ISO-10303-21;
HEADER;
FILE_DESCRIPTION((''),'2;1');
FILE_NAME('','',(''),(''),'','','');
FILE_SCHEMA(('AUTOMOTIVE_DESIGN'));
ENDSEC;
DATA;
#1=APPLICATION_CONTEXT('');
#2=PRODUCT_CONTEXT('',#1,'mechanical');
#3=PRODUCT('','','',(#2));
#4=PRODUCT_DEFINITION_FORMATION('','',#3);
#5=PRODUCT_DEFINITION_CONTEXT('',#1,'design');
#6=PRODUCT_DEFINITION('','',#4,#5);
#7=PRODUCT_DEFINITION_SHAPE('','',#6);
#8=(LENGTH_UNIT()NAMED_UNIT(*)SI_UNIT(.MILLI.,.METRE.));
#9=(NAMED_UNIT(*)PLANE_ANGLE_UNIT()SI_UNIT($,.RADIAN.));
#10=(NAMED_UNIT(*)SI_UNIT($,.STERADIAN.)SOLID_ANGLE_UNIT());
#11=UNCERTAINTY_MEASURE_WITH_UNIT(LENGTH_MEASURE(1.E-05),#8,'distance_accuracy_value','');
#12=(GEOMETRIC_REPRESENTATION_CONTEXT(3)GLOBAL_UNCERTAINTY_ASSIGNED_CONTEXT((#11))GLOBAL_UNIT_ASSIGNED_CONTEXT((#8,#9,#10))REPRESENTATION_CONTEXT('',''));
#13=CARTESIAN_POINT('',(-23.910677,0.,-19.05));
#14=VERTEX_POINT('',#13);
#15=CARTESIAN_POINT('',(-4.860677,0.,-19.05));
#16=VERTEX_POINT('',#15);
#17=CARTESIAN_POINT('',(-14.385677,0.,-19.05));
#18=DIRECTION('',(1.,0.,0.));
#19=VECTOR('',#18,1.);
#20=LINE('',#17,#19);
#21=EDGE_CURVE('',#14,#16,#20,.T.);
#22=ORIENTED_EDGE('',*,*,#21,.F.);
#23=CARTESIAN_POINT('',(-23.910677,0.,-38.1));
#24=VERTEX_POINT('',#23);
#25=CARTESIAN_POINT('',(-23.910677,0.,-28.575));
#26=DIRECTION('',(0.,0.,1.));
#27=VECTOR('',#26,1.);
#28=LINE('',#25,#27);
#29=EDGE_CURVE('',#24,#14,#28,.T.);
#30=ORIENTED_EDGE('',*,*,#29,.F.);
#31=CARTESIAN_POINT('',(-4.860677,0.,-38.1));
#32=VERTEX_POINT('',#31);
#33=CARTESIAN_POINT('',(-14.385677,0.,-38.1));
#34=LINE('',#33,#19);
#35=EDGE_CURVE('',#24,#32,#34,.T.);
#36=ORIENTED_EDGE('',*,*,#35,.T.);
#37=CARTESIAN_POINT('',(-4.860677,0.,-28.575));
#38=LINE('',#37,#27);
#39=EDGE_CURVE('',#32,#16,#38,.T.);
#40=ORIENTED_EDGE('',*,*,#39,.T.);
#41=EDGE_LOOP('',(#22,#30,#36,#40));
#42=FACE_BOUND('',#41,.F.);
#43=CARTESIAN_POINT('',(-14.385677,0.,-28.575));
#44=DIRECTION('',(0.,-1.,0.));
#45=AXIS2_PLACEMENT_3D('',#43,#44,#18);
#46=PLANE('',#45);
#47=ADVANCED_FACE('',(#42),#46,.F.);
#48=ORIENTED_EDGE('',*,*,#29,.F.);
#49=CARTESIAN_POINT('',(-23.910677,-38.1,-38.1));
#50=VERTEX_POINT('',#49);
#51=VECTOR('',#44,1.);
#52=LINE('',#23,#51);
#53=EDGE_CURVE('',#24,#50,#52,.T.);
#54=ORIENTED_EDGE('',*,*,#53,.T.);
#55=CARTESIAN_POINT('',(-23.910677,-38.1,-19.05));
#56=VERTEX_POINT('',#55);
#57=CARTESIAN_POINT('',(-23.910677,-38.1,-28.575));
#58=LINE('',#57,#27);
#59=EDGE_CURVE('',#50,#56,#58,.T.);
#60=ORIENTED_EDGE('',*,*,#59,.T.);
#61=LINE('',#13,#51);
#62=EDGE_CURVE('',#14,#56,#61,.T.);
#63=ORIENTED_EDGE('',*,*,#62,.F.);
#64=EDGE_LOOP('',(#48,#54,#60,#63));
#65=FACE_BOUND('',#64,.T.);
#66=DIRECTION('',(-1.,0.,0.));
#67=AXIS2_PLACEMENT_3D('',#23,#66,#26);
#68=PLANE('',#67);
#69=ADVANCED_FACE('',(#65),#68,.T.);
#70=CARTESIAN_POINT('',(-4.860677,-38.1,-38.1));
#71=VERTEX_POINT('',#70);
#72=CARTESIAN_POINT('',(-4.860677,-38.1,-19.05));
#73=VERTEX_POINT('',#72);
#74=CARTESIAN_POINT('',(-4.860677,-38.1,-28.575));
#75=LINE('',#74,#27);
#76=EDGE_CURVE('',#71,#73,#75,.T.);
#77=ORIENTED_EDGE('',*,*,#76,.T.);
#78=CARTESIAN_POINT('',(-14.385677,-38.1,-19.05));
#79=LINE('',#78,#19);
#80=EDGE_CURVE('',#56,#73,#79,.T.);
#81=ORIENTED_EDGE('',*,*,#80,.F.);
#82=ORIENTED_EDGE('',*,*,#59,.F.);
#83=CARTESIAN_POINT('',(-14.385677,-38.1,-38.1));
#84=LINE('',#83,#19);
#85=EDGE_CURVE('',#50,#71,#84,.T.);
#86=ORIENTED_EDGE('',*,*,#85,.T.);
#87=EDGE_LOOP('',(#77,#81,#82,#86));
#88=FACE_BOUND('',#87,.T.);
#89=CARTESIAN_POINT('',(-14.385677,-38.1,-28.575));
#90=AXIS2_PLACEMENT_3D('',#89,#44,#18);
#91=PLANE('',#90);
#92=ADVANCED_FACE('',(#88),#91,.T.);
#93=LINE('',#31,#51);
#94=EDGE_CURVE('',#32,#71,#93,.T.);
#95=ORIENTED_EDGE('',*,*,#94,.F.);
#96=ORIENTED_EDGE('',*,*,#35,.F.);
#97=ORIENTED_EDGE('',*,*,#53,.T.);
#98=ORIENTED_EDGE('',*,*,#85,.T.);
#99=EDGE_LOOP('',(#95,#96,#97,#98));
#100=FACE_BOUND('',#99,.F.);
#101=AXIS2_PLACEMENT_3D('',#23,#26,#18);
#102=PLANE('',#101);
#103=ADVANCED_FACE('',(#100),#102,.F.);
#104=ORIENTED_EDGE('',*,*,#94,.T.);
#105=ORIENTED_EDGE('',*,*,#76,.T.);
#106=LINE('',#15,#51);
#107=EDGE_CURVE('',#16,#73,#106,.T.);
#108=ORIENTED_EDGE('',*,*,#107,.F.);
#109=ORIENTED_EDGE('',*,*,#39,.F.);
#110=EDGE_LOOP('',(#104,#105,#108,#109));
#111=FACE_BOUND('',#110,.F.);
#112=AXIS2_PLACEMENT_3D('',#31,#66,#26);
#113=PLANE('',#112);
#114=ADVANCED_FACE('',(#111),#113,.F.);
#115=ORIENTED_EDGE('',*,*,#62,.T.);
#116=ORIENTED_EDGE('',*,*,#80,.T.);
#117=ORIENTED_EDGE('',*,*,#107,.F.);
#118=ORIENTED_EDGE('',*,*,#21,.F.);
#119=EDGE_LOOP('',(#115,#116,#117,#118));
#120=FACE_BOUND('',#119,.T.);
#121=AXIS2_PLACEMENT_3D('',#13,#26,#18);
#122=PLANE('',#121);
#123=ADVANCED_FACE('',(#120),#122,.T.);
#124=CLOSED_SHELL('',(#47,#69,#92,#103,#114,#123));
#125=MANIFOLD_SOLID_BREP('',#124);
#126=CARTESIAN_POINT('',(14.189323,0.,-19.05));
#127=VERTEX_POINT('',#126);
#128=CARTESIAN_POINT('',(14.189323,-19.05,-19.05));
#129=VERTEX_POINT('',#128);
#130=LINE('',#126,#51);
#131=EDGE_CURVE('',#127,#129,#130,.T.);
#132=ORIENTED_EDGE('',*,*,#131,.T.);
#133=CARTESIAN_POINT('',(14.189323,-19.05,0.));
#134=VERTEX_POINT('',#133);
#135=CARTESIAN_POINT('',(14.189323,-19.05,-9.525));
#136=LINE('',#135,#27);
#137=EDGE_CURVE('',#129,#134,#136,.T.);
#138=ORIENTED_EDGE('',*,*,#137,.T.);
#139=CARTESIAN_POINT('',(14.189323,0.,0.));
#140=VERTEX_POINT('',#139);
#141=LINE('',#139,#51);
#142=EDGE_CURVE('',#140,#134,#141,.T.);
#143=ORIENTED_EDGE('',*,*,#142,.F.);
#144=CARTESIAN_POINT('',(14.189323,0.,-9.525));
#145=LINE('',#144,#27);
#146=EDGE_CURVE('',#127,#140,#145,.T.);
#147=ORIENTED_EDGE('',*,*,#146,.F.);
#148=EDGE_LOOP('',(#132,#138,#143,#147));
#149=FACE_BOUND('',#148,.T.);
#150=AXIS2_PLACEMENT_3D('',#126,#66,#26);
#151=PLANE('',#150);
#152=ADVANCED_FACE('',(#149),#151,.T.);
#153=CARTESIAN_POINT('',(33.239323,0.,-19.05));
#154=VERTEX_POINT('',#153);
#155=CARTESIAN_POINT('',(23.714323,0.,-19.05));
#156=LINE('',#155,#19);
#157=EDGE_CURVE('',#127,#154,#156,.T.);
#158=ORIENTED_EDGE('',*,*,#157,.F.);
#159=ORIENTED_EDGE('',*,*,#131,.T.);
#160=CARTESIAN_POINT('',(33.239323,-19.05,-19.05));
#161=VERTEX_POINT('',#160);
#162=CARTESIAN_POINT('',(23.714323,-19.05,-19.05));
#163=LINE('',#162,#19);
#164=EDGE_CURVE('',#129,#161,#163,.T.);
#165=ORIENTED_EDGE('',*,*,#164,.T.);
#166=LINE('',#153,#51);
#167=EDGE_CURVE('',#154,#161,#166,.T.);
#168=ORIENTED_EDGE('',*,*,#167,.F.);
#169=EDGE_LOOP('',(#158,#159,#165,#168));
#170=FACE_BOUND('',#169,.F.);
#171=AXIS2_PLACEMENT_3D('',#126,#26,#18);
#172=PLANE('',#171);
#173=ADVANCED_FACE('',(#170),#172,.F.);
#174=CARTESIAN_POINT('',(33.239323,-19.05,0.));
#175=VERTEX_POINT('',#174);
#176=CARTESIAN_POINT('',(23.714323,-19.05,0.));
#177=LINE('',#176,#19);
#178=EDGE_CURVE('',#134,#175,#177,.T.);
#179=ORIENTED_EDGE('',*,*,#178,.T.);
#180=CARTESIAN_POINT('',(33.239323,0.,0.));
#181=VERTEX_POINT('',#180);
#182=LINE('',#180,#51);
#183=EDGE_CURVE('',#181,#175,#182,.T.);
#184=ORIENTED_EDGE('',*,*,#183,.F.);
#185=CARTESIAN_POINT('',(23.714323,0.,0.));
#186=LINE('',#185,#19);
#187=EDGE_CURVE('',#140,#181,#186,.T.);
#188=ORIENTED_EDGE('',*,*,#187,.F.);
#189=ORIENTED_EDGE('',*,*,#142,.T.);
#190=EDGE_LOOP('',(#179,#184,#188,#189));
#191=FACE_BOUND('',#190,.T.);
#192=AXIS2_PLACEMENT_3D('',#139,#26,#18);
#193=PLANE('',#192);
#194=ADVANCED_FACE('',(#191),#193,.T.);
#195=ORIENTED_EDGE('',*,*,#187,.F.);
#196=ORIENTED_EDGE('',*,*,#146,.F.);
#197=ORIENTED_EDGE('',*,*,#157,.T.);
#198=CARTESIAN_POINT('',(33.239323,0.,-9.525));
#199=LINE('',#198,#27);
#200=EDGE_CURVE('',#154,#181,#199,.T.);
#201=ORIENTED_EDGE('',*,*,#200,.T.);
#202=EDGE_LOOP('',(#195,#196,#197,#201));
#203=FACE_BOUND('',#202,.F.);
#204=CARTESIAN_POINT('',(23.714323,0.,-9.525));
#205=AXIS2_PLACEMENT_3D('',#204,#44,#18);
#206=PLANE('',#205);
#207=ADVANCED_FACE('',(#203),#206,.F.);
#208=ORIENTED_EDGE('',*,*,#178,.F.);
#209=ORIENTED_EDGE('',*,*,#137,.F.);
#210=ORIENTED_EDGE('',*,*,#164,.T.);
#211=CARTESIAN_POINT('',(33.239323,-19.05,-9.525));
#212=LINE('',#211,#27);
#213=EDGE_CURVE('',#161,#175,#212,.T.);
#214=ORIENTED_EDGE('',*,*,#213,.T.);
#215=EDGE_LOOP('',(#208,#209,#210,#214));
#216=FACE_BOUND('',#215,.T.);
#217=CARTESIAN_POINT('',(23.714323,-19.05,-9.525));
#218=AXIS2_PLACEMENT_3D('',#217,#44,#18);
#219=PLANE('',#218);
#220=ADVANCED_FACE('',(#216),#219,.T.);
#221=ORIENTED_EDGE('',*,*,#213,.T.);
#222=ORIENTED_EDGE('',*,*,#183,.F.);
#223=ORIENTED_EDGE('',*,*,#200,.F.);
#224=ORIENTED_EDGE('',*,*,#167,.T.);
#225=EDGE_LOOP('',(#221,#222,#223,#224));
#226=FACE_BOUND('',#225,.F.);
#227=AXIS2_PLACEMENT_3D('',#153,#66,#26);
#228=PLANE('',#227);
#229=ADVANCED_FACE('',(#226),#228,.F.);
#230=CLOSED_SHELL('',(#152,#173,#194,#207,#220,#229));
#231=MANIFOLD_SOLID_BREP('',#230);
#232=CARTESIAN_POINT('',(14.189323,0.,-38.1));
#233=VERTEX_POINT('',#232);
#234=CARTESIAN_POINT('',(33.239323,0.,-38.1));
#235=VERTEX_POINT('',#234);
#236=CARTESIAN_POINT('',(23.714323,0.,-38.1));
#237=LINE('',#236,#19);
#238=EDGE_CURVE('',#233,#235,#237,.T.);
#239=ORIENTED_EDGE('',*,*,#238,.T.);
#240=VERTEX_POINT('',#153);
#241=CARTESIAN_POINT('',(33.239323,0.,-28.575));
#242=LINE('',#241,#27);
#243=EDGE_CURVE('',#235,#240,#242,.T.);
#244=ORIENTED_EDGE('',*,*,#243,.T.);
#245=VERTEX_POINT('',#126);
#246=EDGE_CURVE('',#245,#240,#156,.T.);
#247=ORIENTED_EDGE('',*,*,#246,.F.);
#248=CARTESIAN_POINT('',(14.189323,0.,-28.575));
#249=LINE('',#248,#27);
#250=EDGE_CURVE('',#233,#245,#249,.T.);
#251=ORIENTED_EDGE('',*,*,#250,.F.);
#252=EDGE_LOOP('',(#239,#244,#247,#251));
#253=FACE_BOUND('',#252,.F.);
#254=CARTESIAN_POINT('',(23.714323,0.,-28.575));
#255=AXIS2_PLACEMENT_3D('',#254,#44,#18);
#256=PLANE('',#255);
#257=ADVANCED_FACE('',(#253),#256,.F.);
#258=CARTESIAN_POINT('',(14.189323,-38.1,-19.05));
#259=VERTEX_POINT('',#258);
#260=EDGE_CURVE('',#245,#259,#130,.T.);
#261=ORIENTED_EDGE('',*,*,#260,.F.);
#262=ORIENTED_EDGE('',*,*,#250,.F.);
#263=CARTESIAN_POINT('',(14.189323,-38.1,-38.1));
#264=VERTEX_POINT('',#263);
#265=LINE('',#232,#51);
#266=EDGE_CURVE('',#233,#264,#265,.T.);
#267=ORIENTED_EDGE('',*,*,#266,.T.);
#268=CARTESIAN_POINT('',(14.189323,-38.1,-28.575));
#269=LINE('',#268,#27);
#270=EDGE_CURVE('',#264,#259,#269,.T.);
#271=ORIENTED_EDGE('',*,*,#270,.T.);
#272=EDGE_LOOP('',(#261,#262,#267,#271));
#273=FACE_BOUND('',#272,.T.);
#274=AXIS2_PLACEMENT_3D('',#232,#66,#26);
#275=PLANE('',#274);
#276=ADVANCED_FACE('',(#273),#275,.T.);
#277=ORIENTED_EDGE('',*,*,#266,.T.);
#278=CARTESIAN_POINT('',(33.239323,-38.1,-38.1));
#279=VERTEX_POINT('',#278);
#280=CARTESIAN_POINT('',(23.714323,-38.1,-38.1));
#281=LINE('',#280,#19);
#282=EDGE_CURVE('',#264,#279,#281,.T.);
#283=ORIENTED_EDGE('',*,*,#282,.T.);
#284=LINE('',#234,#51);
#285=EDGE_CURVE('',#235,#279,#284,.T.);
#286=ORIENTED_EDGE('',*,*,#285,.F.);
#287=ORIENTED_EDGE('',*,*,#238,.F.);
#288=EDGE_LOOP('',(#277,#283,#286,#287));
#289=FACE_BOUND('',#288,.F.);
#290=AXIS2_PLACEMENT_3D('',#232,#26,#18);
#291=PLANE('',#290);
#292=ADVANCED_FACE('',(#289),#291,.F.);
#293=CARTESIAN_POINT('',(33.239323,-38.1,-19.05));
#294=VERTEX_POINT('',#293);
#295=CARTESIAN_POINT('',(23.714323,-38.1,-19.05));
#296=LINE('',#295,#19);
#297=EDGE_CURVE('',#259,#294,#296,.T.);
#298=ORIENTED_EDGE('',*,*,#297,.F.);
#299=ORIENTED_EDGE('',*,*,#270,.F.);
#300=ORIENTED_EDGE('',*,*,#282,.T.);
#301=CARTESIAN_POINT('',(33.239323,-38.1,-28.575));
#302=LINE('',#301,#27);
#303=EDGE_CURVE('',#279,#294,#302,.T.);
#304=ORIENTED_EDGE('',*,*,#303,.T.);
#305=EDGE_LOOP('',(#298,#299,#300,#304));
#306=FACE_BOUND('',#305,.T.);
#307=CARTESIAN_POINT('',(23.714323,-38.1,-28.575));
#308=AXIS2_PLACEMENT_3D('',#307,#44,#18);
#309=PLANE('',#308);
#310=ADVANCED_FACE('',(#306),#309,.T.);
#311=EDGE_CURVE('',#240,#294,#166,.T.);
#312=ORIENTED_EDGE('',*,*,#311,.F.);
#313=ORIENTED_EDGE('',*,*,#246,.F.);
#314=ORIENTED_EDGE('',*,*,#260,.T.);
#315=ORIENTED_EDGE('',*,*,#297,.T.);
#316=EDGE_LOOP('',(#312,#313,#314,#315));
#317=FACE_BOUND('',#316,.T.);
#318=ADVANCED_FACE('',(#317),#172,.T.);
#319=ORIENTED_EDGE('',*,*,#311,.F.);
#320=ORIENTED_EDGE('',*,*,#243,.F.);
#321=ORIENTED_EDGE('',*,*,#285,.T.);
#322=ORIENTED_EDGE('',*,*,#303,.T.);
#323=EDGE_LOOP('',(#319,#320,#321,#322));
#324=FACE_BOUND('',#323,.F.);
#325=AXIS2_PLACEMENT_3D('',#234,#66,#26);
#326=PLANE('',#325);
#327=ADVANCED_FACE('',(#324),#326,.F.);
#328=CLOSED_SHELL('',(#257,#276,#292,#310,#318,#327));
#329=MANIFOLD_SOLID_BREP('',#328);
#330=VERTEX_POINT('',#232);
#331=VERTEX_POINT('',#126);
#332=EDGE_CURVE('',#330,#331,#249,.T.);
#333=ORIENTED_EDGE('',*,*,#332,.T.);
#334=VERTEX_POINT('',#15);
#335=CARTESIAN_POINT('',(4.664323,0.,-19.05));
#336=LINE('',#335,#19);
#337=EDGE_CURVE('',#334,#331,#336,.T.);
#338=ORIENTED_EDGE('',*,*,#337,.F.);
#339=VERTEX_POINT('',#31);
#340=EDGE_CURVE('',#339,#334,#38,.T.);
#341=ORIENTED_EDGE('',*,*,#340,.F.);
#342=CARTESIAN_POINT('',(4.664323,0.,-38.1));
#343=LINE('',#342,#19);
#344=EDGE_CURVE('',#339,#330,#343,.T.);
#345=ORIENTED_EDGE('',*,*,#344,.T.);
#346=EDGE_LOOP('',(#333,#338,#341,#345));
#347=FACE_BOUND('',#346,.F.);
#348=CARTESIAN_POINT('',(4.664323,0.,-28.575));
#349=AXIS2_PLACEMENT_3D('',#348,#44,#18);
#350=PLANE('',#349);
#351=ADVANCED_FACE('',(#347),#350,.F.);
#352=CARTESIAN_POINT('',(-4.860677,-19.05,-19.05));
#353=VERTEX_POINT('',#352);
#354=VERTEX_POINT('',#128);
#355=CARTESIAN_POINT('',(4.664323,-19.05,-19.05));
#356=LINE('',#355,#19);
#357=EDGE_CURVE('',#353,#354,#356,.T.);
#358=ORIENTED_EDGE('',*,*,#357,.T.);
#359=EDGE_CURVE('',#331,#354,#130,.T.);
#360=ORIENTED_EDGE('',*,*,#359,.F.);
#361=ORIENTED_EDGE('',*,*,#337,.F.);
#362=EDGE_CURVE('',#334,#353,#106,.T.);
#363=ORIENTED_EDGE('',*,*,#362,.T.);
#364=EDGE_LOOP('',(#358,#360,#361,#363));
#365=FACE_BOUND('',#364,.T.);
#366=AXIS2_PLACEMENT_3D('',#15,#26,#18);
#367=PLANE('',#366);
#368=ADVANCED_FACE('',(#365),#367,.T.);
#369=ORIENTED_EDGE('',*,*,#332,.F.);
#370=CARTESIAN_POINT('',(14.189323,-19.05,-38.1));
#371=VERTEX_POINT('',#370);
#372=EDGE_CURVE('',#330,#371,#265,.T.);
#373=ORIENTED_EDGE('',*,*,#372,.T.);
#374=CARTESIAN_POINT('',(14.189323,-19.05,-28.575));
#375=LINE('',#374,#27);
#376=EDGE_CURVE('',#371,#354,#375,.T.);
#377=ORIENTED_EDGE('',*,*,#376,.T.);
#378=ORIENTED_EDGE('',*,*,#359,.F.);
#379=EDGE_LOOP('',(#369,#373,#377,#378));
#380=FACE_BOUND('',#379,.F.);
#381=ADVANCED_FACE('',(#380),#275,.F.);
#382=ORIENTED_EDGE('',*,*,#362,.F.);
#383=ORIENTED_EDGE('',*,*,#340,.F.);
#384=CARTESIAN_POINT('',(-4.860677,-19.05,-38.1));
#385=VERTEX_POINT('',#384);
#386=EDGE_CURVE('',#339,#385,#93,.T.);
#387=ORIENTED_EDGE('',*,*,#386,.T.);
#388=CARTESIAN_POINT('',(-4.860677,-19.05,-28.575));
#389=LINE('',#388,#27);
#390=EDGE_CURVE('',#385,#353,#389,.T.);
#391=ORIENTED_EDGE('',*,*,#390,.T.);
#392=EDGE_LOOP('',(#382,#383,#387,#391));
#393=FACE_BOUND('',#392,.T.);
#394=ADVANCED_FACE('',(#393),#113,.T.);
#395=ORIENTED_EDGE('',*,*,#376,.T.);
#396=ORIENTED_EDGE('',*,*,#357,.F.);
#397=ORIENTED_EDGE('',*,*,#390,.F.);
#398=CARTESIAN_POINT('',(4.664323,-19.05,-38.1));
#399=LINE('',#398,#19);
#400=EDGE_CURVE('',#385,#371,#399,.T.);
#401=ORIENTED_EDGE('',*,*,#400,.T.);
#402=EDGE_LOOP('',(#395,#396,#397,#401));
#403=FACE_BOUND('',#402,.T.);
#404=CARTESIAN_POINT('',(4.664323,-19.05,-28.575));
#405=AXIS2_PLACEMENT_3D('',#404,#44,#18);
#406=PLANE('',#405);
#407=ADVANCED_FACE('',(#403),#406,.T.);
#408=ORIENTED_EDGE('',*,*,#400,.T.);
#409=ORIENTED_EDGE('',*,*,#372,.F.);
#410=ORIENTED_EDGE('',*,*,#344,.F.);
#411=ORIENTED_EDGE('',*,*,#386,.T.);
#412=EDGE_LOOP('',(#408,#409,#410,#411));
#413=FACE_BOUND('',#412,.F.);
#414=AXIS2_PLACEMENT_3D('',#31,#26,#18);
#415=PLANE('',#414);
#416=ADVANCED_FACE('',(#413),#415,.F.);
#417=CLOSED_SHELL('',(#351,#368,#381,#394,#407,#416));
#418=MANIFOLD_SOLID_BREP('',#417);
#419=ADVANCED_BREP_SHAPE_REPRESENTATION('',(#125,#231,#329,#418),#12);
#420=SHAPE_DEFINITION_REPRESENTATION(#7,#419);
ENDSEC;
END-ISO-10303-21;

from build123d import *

# Parameters (mm, degrees)
F0_W     = 19.05
F0_H     = 19.05
F1_DEPTH = 38.1
F2_DEPTH = 19.05


with BuildPart() as f1:
    # F0 (on Front) → F1 (new body)
    with BuildSketch(Plane.XZ):
        with Locations((-14.385677, -28.575)):
            Rectangle(F0_W, F0_H)
        with Locations((23.714323, -28.575)):
            Rectangle(F0_W, F0_H)
    extrude(amount=F1_DEPTH)


with BuildPart() as f2:
    # F0 (on Front) → F2 (new body)
    with BuildSketch(Plane.XZ):
        with Locations((23.714323, -9.525)):
            Rectangle(F0_W, F0_H)
        with Locations((4.664323, -28.575)):
            Rectangle(F0_W, F0_H)
    extrude(amount=F2_DEPTH)


solid = Compound([f1.part, f2.part])
